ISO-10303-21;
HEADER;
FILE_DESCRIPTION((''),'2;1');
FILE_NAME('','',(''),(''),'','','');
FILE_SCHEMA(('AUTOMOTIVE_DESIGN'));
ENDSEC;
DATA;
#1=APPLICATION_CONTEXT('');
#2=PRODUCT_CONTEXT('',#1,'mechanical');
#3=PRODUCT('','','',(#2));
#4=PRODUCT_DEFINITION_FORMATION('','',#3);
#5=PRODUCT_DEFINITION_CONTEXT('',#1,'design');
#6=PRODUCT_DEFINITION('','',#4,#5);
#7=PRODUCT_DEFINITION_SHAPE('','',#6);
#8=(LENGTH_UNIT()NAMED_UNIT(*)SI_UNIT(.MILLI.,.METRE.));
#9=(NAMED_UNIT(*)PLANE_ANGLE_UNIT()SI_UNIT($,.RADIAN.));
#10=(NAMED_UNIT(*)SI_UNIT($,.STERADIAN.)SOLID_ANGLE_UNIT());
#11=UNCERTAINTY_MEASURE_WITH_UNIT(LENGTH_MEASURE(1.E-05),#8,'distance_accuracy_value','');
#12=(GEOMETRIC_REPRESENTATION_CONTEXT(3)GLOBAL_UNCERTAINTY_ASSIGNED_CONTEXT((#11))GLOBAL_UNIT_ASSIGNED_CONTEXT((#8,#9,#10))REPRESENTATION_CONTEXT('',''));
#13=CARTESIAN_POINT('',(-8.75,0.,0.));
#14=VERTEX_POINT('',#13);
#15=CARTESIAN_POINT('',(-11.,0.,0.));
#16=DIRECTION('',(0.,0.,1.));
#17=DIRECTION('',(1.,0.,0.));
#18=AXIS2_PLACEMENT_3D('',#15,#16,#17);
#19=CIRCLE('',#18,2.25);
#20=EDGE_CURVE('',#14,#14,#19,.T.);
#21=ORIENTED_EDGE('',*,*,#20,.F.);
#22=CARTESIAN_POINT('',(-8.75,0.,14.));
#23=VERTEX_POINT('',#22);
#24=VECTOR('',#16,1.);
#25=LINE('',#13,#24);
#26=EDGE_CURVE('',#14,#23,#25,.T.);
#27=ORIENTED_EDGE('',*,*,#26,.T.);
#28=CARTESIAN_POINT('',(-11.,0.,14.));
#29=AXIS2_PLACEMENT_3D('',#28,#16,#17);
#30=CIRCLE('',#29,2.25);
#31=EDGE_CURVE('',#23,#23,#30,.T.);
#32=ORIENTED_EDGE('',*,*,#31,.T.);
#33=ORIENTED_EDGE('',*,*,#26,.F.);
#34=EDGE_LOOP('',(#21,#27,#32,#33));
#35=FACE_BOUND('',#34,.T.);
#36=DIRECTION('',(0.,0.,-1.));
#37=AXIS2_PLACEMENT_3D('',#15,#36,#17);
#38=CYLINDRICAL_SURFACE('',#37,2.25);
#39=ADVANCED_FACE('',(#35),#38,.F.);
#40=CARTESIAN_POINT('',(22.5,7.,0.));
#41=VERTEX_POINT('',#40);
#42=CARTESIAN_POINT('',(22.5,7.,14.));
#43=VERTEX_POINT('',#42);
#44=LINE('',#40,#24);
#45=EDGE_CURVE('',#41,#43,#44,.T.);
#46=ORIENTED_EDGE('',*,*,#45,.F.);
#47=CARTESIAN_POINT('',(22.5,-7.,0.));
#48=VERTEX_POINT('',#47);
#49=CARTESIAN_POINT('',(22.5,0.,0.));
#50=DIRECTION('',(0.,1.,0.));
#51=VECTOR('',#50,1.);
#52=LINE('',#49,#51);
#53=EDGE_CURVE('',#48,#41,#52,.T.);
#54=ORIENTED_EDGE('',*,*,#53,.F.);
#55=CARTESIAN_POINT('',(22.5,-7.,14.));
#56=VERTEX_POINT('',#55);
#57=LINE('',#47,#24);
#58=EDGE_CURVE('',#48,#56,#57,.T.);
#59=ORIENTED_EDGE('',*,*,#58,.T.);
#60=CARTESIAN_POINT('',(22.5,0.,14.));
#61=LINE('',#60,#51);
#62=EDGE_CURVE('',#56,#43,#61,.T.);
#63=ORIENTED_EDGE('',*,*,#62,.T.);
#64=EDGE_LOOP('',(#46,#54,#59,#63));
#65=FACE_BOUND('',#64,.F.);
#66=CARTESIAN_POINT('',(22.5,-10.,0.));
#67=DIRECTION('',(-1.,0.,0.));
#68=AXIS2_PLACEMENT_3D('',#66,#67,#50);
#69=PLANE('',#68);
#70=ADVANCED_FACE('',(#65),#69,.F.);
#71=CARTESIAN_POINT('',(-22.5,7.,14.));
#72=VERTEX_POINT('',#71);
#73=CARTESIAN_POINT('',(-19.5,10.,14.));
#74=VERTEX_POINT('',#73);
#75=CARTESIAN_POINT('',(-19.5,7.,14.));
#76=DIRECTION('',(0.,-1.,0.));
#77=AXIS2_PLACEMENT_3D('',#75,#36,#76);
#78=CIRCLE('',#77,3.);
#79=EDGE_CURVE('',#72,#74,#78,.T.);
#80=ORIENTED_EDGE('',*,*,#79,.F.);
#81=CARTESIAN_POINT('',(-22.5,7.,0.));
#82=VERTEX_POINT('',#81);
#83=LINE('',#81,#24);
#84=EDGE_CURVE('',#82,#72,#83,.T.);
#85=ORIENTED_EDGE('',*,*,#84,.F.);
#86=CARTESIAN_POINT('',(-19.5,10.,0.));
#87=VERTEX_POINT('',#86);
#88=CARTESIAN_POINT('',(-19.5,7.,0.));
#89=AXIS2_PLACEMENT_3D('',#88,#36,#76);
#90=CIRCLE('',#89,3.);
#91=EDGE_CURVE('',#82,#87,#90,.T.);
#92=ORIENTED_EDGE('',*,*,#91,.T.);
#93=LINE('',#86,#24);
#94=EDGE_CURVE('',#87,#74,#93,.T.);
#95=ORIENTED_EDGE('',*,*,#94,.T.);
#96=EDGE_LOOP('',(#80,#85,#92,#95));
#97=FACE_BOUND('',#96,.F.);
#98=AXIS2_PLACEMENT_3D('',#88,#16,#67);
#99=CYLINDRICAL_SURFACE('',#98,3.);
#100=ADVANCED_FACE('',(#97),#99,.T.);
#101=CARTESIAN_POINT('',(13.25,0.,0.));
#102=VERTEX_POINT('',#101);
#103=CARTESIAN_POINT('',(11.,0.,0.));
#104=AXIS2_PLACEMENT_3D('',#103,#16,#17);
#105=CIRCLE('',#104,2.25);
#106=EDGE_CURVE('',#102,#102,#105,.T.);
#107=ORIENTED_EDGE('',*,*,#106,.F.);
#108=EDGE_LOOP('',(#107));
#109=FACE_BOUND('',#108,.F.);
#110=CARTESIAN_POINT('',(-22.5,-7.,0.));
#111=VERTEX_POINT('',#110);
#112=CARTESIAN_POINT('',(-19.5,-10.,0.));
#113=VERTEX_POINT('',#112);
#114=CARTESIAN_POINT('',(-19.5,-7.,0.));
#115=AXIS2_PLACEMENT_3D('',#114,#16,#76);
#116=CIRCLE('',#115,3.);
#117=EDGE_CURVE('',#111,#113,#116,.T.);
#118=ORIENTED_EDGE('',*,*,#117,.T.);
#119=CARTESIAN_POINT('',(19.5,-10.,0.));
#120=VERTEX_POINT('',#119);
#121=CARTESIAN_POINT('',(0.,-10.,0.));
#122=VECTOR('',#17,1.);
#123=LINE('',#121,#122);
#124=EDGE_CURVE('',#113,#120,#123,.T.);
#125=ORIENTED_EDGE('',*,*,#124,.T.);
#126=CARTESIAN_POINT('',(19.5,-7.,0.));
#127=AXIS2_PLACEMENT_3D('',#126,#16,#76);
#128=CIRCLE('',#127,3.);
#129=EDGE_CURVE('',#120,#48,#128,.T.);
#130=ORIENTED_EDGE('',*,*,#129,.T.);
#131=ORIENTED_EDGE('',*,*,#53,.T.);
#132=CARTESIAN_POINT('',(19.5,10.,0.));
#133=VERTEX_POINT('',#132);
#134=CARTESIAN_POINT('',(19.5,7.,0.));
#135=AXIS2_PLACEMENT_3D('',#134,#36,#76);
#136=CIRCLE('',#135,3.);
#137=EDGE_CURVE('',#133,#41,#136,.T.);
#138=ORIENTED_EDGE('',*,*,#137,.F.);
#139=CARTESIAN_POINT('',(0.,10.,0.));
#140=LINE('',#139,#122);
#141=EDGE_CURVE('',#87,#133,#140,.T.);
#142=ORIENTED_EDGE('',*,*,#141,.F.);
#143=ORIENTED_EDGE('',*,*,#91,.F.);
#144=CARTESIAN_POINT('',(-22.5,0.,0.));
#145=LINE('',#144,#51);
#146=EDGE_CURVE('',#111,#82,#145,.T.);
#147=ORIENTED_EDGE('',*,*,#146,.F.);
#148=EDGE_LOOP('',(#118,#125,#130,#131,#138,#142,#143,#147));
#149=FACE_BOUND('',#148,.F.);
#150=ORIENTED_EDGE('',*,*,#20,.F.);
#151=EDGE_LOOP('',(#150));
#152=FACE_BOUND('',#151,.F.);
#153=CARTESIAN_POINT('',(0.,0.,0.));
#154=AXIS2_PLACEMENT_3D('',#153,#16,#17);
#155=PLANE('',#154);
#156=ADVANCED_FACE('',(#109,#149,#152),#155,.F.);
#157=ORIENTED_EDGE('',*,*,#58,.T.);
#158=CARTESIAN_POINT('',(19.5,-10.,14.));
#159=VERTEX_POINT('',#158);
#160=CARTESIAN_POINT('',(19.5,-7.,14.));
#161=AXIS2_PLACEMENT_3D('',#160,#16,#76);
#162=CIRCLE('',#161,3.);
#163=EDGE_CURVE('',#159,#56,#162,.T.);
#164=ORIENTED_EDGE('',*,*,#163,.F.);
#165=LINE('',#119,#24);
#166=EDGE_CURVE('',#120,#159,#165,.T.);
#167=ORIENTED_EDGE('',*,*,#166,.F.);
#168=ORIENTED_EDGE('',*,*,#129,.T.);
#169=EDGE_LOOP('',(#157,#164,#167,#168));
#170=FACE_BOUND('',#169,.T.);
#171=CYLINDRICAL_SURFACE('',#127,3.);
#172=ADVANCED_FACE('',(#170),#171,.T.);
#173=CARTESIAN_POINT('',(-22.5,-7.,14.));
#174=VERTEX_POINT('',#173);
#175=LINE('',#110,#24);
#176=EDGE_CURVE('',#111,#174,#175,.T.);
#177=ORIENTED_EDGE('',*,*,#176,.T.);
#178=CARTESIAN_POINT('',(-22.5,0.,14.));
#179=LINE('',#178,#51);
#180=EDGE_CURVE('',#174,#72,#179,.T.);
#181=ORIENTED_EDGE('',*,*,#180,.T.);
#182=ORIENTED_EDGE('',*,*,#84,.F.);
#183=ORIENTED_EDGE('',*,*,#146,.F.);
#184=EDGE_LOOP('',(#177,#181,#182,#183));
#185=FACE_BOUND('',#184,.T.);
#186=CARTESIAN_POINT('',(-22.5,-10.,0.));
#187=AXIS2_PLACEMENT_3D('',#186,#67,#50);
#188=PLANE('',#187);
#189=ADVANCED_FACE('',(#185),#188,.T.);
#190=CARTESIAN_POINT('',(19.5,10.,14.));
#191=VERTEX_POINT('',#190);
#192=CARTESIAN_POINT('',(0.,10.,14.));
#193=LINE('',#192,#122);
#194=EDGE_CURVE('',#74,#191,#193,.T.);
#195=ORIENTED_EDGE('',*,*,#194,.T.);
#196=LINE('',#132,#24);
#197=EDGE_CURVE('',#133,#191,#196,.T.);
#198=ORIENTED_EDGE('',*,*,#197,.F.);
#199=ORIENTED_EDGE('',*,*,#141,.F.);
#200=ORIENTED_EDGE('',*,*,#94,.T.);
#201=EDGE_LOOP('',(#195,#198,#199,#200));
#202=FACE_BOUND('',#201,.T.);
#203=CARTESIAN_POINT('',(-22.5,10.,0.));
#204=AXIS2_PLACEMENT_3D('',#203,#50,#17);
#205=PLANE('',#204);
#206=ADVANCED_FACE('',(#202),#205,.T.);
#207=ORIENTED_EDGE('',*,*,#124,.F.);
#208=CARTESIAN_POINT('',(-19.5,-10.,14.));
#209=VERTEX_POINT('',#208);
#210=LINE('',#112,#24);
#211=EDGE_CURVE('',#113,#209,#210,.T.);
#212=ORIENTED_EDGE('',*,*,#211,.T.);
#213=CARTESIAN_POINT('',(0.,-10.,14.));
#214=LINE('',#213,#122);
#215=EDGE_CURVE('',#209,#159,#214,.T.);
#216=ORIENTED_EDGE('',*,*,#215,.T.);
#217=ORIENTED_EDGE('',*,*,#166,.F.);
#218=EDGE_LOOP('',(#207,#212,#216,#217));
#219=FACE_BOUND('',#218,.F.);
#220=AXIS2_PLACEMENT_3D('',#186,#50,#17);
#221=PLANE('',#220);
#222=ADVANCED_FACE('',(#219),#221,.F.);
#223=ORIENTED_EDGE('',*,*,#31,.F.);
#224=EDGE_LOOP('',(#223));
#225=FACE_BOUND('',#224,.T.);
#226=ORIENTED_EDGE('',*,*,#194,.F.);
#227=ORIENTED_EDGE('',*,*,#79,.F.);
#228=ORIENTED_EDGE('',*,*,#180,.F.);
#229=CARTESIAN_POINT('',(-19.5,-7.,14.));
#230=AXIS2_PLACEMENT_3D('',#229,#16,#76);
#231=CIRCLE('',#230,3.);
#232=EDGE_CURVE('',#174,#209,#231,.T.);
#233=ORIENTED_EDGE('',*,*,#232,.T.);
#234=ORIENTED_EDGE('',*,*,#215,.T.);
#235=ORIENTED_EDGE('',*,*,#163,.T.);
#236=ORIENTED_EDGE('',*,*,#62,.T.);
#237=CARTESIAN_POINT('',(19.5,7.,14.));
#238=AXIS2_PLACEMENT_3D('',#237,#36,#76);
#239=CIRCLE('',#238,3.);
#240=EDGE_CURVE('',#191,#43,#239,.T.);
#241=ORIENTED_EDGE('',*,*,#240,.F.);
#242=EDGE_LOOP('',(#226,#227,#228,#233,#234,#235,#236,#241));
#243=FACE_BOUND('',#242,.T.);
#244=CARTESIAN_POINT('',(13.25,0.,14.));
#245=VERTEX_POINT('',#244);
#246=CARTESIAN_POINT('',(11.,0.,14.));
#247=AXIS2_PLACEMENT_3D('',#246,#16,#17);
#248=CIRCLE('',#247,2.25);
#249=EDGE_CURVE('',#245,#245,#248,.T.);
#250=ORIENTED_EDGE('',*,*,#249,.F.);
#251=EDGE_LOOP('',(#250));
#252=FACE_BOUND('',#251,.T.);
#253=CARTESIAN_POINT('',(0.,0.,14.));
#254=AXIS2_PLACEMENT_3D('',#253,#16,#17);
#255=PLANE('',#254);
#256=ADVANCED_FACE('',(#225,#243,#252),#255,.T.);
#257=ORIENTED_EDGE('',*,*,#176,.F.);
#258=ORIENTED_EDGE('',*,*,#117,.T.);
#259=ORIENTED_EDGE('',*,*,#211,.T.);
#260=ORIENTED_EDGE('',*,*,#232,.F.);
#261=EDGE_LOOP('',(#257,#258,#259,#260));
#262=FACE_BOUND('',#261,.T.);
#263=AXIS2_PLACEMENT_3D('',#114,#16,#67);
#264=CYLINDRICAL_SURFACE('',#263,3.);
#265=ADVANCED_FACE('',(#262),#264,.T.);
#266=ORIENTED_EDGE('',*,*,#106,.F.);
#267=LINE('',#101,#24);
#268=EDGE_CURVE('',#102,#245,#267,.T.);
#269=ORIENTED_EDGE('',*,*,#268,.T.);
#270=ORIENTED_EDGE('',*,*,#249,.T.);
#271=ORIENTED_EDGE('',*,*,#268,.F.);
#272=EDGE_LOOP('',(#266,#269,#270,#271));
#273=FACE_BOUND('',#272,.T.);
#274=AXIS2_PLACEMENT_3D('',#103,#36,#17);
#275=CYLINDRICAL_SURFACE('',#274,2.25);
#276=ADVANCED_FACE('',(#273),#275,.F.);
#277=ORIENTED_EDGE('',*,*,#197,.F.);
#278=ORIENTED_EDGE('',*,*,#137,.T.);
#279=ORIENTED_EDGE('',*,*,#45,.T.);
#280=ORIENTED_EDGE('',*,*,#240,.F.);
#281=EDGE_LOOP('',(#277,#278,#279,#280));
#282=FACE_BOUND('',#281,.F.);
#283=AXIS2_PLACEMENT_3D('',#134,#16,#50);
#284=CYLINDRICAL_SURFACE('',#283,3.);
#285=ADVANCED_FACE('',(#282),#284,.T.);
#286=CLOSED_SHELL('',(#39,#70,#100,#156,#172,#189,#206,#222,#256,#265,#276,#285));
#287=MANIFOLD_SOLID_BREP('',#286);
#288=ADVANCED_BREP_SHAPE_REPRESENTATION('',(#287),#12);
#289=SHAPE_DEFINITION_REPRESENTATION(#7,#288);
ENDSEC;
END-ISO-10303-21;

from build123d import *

# Parameters (mm, degrees)
F0_W     = 45
F0_H     = 20
F0_R     = 2.25
F1_DEPTH = 14
F2_R     = 3


with BuildPart() as f1:
    # F0 (on Top) → F1 (new body)
    with BuildSketch(Plane.XY):
        Rectangle(F0_W, F0_H)
        with Locations((-11, 0)):
            Circle(F0_R, mode=Mode.SUBTRACT)
        with Locations((11, 0)):
            Circle(F0_R, mode=Mode.SUBTRACT)
    extrude(amount=F1_DEPTH)

    # F2
    f2_edges = [f1.edges().sort_by_distance(p)[0] for p in [
        (22.5, -10, 7),
        (22.5, 10, 7),
        (-22.5, 10, 7),
        (-22.5, -10, 7),
    ]]
    fillet(f2_edges, radius=F2_R)


solid = f1.part
